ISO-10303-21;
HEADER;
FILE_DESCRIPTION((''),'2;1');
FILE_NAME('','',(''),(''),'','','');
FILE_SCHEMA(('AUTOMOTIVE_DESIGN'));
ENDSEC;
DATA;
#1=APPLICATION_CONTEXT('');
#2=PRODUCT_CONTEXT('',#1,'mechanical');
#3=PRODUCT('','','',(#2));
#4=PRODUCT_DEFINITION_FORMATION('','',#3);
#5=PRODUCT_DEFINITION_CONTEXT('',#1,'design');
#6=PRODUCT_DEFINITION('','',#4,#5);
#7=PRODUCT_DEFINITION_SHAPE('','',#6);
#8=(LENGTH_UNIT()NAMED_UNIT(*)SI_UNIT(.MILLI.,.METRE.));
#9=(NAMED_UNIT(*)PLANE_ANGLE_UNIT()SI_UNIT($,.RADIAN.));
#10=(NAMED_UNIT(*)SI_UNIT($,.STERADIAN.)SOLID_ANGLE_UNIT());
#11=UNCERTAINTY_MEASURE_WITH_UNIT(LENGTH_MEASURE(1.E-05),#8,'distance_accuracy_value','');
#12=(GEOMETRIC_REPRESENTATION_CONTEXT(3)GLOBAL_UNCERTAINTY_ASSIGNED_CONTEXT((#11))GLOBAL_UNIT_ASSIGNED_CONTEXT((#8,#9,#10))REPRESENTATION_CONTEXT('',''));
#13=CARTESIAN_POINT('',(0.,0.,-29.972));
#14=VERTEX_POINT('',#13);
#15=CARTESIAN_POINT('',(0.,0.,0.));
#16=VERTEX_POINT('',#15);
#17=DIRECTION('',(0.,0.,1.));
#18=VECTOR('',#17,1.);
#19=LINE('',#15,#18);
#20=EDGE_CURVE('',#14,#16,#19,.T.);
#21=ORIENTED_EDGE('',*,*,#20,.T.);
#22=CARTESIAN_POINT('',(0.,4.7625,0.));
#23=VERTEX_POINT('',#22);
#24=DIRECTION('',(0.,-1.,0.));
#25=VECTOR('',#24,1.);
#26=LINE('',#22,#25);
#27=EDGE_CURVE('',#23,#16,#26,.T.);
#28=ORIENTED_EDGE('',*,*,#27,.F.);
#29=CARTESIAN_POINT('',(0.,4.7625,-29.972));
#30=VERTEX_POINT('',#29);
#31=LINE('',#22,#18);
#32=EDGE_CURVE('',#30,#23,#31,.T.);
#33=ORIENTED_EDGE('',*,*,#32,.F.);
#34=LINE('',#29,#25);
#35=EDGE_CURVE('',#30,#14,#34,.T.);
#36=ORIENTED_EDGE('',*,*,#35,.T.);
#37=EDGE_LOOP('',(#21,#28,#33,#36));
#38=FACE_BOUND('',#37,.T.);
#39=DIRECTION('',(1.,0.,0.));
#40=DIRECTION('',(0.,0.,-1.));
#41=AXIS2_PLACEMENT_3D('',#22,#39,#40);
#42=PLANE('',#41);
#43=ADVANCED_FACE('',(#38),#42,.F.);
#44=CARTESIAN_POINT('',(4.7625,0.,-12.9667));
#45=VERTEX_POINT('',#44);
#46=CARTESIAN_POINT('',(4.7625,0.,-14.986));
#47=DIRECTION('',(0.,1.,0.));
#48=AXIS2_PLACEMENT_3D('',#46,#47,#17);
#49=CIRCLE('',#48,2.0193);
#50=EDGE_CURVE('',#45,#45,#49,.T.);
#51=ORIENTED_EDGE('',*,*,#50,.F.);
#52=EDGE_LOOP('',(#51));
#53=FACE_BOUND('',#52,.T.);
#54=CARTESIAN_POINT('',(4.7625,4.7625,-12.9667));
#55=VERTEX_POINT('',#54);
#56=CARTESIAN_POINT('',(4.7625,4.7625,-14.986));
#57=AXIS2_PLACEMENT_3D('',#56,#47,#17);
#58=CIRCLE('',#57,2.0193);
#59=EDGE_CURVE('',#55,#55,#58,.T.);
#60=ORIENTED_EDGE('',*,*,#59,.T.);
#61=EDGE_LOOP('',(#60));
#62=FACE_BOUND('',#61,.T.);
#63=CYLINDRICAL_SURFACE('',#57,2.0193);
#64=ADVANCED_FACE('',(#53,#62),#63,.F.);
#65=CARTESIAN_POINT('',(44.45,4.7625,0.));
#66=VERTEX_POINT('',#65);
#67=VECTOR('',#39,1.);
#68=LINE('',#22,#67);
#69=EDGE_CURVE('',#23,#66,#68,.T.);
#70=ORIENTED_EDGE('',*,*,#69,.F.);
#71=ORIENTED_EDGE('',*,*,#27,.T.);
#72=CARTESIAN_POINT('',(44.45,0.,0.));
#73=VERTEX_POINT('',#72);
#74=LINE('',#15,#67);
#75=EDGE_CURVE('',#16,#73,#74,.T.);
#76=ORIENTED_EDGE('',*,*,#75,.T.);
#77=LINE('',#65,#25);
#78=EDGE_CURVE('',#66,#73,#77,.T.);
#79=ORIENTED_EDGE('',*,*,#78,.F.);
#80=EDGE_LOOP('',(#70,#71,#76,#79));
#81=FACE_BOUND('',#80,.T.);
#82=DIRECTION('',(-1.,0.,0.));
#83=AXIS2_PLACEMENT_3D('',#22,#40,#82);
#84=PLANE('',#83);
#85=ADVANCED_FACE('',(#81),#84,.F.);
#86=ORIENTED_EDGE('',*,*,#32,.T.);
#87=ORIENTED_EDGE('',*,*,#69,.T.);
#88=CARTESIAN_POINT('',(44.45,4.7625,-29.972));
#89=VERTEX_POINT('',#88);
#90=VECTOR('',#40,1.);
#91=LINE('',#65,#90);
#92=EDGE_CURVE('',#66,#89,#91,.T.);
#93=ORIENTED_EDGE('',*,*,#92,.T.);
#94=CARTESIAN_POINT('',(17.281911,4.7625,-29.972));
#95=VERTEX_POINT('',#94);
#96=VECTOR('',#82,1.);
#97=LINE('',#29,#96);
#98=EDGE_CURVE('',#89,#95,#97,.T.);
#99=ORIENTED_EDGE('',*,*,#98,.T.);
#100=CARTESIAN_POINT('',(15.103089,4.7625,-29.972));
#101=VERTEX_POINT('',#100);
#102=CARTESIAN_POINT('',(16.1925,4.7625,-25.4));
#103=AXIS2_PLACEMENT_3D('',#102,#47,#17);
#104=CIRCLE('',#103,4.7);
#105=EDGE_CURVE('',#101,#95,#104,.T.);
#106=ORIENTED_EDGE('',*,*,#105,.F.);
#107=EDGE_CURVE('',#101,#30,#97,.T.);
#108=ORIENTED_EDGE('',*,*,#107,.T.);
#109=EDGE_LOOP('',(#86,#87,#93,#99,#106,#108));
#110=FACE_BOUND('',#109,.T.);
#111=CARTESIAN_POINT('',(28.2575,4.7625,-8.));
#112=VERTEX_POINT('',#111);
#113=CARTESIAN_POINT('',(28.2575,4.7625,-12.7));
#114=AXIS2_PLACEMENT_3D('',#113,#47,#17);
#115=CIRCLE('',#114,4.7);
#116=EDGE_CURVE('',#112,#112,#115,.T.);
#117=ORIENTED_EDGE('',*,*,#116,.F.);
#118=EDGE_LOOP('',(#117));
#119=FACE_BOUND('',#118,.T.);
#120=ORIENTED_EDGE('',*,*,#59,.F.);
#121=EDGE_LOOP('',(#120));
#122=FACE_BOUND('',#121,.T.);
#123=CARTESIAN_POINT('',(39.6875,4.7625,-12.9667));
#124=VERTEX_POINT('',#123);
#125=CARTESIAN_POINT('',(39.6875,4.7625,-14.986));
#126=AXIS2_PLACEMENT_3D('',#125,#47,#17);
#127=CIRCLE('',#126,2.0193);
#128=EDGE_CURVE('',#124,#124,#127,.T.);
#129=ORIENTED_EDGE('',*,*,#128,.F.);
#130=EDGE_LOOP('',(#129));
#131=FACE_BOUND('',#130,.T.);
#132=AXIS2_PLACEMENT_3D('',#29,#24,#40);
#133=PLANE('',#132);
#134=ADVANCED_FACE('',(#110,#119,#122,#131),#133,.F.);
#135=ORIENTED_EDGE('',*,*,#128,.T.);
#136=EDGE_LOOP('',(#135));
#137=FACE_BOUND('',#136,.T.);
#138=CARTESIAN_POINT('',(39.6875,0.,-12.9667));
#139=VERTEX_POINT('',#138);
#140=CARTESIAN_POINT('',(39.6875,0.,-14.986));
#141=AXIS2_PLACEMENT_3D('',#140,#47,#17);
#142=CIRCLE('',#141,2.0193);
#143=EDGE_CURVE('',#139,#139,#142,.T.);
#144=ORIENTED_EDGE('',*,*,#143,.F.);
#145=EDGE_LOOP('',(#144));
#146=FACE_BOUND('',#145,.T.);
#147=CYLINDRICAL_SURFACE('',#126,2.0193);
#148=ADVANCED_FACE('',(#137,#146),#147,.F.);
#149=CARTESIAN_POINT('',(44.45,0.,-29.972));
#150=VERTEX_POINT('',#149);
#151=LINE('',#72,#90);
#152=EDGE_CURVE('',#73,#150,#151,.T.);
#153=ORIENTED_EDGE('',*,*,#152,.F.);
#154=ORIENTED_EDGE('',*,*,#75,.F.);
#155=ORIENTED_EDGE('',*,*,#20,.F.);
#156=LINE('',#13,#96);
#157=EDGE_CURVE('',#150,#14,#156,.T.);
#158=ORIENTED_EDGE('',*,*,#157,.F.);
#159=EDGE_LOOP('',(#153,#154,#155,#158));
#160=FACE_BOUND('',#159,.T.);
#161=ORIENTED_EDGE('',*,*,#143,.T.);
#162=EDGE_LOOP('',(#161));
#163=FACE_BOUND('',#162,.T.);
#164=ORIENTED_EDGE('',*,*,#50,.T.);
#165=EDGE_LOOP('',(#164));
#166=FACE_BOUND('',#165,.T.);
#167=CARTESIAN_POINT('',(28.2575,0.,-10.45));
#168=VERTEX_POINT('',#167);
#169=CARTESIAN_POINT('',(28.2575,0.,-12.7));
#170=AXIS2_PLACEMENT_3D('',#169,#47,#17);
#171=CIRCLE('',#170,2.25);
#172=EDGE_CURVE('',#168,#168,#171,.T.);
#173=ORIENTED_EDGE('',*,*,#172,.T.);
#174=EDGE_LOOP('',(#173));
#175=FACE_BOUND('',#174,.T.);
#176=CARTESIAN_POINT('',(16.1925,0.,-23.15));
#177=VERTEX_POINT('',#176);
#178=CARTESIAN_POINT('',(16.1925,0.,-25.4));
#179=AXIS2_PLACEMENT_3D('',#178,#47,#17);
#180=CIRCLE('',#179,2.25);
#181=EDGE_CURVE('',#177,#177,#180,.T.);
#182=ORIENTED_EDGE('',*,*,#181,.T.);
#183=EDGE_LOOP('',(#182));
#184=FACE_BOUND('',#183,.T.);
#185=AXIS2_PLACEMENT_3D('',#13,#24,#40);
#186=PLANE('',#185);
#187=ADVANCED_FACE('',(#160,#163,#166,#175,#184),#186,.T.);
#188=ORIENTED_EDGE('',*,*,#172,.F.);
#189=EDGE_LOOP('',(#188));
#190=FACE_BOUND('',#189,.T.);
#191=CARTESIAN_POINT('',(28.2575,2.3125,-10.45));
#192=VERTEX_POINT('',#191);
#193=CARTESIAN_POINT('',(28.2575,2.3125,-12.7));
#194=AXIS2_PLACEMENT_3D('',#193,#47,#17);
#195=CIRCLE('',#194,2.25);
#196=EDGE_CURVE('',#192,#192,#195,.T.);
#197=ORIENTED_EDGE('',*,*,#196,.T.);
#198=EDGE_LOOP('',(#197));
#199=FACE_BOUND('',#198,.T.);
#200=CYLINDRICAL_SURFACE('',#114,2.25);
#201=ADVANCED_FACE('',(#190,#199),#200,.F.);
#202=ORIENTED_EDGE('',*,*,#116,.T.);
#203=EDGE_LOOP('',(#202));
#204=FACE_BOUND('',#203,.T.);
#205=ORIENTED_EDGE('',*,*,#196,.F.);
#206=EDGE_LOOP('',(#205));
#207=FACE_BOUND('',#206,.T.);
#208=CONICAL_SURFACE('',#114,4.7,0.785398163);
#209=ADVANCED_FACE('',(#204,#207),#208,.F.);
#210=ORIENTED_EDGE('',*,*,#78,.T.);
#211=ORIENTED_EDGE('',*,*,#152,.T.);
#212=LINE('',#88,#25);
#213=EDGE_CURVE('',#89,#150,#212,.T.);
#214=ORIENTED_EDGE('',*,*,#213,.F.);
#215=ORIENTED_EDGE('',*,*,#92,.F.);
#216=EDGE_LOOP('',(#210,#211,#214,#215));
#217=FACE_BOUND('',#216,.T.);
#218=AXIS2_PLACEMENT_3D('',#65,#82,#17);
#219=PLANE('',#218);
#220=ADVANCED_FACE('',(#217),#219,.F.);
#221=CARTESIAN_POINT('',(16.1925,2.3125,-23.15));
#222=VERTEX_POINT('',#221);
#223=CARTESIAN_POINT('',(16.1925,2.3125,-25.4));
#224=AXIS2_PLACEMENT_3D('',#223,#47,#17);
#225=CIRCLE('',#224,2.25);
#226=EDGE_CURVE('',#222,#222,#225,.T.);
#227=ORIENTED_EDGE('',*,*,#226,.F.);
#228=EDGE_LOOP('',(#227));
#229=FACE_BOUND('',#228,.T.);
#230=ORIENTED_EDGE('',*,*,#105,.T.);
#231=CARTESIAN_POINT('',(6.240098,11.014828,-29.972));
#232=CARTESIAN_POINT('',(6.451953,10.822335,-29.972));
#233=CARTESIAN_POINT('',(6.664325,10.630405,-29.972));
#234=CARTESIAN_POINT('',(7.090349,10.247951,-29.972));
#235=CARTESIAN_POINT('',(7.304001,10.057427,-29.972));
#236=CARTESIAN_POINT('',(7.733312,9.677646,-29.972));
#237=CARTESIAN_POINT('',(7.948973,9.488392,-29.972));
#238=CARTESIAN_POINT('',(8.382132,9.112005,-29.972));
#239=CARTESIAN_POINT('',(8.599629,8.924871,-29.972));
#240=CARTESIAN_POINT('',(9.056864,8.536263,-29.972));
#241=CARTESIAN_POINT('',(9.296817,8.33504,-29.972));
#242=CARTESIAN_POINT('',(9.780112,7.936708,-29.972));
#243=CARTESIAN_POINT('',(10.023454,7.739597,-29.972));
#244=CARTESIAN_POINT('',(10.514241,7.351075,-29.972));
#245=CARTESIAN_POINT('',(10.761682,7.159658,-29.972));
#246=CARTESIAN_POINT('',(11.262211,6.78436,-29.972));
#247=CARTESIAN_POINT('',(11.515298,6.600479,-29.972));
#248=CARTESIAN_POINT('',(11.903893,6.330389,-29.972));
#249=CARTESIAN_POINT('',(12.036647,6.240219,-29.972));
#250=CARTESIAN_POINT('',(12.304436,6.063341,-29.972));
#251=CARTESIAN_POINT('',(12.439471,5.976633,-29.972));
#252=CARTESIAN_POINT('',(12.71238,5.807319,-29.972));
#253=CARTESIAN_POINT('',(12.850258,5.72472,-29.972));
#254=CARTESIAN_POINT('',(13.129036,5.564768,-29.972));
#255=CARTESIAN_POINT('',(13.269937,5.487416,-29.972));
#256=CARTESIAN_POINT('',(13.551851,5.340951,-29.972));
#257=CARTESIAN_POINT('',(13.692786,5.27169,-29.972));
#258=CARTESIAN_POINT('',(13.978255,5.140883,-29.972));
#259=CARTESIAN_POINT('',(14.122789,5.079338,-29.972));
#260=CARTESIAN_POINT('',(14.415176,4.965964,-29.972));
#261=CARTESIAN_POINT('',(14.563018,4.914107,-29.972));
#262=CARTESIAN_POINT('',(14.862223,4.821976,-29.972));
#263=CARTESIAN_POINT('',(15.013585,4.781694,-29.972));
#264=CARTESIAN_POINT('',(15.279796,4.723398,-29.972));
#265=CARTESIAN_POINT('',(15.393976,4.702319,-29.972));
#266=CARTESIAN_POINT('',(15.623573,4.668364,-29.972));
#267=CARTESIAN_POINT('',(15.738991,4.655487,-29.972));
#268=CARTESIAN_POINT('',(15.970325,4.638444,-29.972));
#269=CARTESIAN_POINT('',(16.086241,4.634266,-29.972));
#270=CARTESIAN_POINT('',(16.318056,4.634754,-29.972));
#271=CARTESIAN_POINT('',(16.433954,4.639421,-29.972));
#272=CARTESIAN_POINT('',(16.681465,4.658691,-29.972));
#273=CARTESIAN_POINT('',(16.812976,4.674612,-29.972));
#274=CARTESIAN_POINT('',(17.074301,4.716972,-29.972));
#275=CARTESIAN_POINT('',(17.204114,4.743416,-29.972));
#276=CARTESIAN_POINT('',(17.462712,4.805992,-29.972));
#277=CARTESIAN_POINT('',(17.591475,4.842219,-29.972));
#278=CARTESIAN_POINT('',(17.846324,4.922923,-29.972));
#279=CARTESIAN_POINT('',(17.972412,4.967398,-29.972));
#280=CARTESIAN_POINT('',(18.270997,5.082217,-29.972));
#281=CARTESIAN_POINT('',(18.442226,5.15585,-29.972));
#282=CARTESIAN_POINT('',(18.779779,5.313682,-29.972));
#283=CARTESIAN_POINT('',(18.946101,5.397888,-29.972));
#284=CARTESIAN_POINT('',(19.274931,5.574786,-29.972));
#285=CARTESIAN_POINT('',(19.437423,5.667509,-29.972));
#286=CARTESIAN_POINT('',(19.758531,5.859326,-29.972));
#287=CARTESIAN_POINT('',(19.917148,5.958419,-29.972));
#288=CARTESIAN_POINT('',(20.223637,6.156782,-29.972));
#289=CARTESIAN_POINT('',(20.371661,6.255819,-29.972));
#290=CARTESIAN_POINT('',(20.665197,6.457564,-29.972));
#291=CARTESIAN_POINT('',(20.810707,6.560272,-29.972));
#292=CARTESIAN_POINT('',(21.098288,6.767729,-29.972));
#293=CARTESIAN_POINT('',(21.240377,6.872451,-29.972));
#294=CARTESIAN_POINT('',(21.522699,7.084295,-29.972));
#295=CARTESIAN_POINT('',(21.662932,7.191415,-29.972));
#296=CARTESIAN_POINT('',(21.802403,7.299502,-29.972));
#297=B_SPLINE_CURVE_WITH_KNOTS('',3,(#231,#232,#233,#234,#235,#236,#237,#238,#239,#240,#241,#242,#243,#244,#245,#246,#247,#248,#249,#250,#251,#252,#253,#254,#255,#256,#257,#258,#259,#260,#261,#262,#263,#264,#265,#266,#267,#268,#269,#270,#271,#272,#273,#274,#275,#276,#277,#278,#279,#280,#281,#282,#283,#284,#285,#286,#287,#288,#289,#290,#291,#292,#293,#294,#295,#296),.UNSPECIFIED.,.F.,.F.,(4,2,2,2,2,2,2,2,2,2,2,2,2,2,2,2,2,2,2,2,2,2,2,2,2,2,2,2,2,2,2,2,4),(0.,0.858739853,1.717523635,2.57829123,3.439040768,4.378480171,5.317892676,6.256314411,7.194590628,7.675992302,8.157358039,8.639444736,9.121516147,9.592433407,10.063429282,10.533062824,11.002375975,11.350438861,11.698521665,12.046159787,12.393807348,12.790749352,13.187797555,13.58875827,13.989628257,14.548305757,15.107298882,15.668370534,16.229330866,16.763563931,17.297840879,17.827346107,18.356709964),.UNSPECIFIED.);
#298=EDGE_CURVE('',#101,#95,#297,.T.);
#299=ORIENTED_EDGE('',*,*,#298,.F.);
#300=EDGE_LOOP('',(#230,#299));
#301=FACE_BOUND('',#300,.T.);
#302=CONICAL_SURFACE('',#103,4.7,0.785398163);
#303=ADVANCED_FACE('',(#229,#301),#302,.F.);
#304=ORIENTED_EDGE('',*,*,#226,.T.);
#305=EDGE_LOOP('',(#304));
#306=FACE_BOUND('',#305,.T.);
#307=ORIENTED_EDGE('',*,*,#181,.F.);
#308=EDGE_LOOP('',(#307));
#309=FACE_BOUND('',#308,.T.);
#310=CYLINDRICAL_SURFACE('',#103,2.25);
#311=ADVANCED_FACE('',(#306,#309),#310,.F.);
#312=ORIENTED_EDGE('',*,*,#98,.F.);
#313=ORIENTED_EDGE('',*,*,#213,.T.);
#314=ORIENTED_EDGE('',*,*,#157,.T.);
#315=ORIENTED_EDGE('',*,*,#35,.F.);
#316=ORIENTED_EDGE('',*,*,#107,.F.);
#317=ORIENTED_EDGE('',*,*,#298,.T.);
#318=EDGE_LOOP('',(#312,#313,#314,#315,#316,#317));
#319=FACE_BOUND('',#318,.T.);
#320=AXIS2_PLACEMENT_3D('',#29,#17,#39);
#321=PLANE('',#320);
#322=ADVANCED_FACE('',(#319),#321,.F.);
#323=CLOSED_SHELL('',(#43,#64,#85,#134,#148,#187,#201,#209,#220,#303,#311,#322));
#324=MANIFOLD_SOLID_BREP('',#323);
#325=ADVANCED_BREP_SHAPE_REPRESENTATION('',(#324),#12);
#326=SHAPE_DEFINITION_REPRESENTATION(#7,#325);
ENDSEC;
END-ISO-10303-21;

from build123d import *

# Parameters (mm, degrees)
SKETCH1_W                                       = 44.45
SKETCH1_H                                       = 29.972
EXTRUDE1_DEPTH                                  = 4.7625
F_10_32_TAPPED_HOLE1_D                          = 4.0386
CSK_FOR_M4_FLAT_HEAD_MACHINE_SCREW1_D           = 4.5
CSK_FOR_M4_FLAT_HEAD_MACHINE_SCREW1_CSINK_D     = 9.4
CSK_FOR_M4_FLAT_HEAD_MACHINE_SCREW1_CSINK_ANGLE = 90


with BuildPart() as part:
    # Sketch1 → Extrude1 (new body)
    with BuildSketch(Plane(origin=(0, 0, 0), x_dir=(1, 0, 0), z_dir=(0, 1, 0))):
        with Locations((22.225, 14.986)):
            Rectangle(SKETCH1_W, SKETCH1_H)
    extrude(amount=EXTRUDE1_DEPTH)

    # #10-32 Tapped Hole1 (through all)
    with Locations(Plane(origin=(0, 4.7625, 0), x_dir=(-1, 0, 0), z_dir=(0, 1, 0))):
        with Locations((-4.7625, -14.986), (-39.6875, -14.986)):
            Hole(F_10_32_TAPPED_HOLE1_D / 2)

    # CSK for M4 Flat Head Machine Screw1 (through all)
    with Locations(Plane(origin=(0, 4.7625, 0), x_dir=(-1, 0, 0), z_dir=(0, 1, 0))):
        with Locations((-28.2575, -12.7), (-16.1925, -25.4)):
            CounterSinkHole(CSK_FOR_M4_FLAT_HEAD_MACHINE_SCREW1_D / 2, CSK_FOR_M4_FLAT_HEAD_MACHINE_SCREW1_CSINK_D / 2, counter_sink_angle=CSK_FOR_M4_FLAT_HEAD_MACHINE_SCREW1_CSINK_ANGLE)


solid = part.part
